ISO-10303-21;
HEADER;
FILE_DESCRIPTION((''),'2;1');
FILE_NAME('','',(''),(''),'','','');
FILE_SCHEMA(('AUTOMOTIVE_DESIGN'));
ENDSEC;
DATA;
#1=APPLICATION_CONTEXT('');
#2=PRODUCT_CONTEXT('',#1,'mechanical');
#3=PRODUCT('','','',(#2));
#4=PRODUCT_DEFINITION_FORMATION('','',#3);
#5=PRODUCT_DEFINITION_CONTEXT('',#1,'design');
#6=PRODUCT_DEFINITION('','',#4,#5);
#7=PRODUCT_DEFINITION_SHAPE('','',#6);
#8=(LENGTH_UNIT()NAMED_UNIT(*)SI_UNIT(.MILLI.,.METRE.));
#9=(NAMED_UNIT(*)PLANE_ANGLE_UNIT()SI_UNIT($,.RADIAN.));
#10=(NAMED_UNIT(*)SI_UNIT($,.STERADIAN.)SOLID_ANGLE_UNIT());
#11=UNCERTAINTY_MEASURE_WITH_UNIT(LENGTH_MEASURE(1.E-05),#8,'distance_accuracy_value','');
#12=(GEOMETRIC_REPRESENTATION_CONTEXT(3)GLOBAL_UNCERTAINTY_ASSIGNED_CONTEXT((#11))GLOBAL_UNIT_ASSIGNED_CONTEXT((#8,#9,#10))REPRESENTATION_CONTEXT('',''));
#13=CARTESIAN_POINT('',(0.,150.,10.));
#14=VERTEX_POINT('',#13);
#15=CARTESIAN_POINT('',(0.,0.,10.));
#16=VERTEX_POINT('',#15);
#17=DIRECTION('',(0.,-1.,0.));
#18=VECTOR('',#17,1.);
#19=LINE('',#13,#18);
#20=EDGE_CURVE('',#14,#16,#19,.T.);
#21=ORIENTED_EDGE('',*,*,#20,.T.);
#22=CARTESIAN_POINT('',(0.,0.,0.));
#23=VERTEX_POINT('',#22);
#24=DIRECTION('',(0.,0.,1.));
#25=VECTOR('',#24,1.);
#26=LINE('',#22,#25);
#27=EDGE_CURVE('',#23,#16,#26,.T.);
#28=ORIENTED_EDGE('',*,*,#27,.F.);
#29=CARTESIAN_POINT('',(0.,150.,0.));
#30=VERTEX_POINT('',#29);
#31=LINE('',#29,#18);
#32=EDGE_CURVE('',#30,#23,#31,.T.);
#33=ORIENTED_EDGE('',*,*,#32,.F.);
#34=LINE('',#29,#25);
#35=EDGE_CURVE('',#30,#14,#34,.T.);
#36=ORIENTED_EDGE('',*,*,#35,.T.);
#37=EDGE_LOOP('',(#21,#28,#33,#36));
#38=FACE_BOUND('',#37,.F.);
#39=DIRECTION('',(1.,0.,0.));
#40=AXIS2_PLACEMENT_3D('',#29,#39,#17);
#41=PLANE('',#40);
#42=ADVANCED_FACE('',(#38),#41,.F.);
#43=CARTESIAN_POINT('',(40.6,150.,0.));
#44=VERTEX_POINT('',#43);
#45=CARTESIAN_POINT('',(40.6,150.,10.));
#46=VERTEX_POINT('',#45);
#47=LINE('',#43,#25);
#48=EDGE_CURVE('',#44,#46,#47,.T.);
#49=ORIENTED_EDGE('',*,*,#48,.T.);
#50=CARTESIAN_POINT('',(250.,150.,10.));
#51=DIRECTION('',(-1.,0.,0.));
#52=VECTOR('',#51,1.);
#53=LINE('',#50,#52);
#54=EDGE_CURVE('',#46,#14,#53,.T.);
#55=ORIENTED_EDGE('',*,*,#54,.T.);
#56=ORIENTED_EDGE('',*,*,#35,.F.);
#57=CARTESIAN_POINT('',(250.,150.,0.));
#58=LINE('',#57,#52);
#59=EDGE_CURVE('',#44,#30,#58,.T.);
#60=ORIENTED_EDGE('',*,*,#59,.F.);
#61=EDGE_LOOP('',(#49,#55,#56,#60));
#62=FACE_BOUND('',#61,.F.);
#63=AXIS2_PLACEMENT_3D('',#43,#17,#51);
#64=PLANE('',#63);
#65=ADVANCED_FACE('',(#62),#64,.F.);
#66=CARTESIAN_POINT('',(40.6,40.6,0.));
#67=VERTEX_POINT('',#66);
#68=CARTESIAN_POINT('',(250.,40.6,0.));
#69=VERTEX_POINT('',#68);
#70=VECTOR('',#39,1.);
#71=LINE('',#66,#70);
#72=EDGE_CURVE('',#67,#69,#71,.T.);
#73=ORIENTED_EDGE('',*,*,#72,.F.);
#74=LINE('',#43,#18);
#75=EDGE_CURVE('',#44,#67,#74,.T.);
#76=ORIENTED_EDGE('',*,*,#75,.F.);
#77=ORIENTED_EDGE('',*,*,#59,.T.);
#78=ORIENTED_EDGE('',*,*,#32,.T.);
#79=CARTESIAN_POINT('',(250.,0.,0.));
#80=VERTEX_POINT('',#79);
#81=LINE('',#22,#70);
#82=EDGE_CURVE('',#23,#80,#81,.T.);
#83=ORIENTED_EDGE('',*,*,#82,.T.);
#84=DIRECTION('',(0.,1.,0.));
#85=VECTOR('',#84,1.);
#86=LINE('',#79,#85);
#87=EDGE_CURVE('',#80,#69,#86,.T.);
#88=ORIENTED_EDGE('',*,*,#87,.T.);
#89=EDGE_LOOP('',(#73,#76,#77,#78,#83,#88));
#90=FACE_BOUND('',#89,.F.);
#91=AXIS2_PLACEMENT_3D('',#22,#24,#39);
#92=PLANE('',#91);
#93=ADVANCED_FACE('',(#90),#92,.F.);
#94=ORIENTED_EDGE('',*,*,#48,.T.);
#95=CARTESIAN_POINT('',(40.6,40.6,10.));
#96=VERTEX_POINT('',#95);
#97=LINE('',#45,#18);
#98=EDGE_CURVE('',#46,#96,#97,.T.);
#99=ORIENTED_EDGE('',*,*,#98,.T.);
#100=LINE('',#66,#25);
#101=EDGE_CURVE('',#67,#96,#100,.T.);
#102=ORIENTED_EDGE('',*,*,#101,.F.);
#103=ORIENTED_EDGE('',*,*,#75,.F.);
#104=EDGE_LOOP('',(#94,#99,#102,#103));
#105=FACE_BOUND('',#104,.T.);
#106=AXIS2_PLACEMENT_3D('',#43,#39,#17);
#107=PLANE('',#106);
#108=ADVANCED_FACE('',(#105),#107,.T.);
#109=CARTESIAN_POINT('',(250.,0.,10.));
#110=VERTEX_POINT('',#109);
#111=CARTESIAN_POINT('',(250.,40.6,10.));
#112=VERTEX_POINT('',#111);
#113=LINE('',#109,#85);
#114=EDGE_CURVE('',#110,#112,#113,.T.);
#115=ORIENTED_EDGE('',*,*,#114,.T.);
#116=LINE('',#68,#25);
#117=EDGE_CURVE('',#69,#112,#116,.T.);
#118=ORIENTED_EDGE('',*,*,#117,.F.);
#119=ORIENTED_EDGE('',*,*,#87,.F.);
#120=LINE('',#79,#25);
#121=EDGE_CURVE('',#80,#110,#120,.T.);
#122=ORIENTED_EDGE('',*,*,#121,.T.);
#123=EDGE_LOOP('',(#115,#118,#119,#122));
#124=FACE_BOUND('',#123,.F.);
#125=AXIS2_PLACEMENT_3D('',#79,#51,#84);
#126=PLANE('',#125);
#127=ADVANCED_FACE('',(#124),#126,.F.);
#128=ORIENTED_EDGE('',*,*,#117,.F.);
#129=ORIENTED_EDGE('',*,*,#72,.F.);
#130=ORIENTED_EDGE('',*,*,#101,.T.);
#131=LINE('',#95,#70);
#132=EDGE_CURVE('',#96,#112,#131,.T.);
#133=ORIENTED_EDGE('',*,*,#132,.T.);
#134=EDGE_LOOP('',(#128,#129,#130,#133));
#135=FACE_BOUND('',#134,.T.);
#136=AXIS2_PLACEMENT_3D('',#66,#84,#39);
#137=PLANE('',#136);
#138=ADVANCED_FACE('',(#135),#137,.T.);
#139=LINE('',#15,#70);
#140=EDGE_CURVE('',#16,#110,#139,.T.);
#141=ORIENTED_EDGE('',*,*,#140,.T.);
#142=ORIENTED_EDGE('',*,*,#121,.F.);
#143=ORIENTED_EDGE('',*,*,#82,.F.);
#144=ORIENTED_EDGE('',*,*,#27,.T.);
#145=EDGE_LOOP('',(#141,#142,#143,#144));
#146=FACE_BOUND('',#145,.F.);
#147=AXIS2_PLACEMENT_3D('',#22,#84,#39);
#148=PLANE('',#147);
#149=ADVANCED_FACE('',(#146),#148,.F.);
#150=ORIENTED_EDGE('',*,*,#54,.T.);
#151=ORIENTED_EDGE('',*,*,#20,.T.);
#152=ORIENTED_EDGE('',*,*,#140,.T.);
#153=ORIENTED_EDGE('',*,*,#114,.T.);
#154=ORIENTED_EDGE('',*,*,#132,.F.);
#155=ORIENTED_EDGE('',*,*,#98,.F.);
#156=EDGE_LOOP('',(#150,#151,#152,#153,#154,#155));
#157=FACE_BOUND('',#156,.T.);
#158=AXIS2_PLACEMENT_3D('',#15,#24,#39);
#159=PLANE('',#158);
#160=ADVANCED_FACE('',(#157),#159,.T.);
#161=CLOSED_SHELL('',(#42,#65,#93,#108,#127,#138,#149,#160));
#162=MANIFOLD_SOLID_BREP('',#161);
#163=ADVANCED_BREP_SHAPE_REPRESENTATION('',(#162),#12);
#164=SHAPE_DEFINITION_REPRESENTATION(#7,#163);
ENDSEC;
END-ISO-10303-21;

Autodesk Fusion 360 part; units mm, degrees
sketch "スケッチ1" plane through (0, 0, 0) normal (0, 0, 1) x (1, 0, 0)
  line L0 (0, 0) -> (250, 0)
  line L1 (250, 0) -> (250, 150)
  line L2 (250, 150) -> (0, 150)
  line L3 (0, 150) -> (0, 0)
  line L4 (250, 150) -> (40.6, 150)
  line L5 (40.6, 150) -> (40.6, 40.6)
  line L6 (40.6, 40.6) -> (250, 40.6)
  line L7 (250, 40.6) -> (250, 150)
  dimension "d1" = 250
  dimension "d2" = 150
  dimension "d3" = 40.6
  dimension "d4" = 40.6
extrude "押し出し1" add sketch "スケッチ1" along normal blind 10 contours L0 L1 L2 L3 L5 L6
